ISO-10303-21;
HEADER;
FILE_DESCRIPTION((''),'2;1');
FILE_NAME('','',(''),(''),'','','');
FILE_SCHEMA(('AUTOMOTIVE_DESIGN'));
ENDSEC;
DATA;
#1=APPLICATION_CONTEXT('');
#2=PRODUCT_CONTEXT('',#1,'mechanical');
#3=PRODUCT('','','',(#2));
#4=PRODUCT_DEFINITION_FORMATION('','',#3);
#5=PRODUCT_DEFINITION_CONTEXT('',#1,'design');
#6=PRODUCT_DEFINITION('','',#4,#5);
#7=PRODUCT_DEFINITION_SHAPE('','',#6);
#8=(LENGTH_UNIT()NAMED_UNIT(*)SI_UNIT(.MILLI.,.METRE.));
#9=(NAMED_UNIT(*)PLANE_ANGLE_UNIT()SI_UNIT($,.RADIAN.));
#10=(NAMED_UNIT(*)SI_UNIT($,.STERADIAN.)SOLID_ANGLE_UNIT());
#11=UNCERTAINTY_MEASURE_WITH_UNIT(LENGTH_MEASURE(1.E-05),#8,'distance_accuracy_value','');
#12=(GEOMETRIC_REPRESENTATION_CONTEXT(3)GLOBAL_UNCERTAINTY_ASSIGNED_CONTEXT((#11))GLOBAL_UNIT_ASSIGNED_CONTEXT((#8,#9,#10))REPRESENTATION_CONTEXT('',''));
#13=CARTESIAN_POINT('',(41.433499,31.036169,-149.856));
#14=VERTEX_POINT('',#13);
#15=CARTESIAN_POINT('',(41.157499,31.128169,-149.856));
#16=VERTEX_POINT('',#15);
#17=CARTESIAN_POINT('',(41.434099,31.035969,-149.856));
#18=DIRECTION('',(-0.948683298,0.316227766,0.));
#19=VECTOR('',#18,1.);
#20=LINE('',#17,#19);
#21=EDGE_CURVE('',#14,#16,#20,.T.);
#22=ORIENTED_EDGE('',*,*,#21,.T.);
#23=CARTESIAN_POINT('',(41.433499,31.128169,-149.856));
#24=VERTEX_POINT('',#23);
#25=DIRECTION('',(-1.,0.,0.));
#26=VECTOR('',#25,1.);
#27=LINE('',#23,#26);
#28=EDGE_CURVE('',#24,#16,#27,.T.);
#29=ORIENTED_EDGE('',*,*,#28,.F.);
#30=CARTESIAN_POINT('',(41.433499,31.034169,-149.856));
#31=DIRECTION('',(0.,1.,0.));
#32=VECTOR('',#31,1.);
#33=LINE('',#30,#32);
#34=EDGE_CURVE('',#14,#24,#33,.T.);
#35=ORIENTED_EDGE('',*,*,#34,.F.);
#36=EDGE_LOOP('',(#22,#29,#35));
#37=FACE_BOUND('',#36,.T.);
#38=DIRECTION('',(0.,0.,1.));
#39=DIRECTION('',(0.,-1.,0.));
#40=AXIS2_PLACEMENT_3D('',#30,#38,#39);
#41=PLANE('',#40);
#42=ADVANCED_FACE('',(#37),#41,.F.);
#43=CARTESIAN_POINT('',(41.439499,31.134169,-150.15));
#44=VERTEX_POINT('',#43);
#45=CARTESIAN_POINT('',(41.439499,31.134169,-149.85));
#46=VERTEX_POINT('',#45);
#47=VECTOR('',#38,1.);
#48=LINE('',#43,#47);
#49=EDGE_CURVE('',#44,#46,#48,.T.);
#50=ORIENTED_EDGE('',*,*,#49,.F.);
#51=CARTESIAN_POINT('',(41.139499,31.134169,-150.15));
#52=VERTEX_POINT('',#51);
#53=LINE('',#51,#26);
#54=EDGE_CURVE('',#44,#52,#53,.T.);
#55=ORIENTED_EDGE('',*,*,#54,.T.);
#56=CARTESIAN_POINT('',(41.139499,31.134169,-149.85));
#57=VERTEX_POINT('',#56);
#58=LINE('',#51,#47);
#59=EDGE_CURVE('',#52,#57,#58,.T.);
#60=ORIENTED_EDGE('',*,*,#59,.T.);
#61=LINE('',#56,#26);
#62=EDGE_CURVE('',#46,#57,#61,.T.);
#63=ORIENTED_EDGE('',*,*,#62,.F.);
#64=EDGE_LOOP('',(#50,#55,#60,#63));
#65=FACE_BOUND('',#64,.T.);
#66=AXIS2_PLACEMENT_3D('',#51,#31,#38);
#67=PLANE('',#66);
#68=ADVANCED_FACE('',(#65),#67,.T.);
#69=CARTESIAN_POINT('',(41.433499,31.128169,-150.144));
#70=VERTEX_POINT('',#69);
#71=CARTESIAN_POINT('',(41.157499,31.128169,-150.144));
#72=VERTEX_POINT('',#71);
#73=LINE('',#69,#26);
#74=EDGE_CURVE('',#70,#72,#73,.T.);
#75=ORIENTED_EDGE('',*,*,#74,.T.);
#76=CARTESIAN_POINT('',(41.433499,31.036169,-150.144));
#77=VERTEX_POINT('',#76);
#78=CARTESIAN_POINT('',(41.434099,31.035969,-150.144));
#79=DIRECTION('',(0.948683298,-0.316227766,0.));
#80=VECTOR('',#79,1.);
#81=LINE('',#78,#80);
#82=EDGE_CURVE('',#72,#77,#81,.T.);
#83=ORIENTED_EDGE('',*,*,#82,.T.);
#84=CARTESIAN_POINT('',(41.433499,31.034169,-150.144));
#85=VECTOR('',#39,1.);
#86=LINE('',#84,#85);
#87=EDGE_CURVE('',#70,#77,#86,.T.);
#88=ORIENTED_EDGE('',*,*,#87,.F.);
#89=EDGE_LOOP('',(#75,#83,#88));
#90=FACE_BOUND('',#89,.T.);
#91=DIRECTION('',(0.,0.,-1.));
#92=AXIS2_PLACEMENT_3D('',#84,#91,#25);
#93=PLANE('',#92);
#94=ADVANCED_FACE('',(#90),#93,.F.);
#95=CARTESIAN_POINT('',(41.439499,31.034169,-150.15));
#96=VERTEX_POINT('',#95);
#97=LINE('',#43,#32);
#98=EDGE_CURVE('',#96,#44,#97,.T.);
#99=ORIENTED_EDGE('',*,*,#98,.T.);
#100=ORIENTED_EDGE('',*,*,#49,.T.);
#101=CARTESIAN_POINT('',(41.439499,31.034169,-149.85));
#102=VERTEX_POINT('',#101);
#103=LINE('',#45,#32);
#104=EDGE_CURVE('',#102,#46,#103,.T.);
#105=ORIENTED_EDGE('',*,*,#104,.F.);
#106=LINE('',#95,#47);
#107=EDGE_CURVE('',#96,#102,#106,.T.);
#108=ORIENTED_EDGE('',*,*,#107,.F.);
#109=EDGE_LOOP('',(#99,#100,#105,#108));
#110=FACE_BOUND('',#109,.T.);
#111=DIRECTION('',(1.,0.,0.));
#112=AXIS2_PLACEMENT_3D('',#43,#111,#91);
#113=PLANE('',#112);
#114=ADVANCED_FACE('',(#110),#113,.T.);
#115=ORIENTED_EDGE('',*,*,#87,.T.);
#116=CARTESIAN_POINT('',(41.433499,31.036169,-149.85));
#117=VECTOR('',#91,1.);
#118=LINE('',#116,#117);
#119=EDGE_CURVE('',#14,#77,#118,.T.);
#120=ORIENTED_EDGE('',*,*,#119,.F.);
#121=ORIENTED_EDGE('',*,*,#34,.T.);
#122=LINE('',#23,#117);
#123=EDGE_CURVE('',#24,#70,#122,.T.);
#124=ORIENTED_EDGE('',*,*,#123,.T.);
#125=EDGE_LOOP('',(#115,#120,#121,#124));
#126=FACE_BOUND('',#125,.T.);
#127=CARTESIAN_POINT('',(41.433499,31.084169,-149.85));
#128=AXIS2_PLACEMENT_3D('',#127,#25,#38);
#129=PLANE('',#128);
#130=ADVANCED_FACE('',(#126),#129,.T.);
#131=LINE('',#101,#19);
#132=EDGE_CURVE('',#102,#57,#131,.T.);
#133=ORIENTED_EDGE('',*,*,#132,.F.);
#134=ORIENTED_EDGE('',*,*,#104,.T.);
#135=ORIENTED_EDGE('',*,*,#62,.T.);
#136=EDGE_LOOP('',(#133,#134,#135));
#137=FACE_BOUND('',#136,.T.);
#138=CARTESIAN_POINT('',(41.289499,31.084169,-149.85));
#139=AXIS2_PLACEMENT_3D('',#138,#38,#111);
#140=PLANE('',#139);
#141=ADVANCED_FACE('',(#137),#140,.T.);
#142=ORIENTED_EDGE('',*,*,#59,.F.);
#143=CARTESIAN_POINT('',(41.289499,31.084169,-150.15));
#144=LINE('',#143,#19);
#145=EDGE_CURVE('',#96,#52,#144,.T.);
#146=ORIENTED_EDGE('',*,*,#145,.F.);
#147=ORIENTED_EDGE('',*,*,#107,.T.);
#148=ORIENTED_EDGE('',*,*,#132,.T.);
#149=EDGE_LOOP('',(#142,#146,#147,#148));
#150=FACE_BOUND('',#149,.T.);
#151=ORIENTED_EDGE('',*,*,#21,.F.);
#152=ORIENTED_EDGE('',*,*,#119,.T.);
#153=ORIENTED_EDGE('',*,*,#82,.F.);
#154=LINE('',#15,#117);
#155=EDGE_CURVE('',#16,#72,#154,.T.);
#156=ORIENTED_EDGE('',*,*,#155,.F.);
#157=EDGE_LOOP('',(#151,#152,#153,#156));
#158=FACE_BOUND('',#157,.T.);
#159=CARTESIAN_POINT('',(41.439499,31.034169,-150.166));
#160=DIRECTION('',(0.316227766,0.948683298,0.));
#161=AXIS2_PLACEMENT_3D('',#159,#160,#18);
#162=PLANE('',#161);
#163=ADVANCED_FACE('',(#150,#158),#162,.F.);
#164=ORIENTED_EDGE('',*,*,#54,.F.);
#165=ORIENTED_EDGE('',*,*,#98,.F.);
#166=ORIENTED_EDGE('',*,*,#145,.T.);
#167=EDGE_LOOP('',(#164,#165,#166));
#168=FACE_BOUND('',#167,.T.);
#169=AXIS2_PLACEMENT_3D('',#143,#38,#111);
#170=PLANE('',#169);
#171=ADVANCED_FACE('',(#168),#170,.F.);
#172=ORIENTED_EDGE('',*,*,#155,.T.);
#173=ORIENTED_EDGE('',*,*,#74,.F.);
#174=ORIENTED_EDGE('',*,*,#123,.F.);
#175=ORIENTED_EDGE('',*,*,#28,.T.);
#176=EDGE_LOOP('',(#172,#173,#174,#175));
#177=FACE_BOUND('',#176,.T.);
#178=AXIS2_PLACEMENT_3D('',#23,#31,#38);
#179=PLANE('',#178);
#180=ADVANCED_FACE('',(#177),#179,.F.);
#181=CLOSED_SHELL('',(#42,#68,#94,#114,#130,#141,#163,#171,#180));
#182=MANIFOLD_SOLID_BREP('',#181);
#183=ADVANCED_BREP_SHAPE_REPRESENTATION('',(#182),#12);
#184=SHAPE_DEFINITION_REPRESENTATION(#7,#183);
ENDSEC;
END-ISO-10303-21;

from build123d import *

# Parameters (mm, degrees)
SKETCH1_W           = 300
SKETCH1_H           = 100
BOSS_EXTRUDE1_DEPTH = 300
SKETCH3_W           = 288
SKETCH3_H           = 94
CUT_EXTRUDE2_DEPTH  = 294
CUT_EXTRUDE3_DEPTH  = 316
SCALE1_SCALE        = 0.001


with BuildPart() as part:
    # Sketch1 → Boss-Extrude1 (new body)
    with BuildSketch(Plane.XY):
        Rectangle(SKETCH1_W, SKETCH1_H)
    extrude(amount=-BOSS_EXTRUDE1_DEPTH)

    # Sketch3 → Cut-Extrude2 (cut)
    with BuildSketch(Plane.ZY.offset(150)):
        with Locations((-150, -3)):
            Rectangle(SKETCH3_W, SKETCH3_H)
    extrude(amount=-CUT_EXTRUDE2_DEPTH, mode=Mode.SUBTRACT)

    # Sketch2 → Cut-Extrude3 (cut)
    with BuildSketch(Plane.XY):
        Polygon((-150, 50), (-150, -50), (150, -50), align=None)
    extrude(amount=-CUT_EXTRUDE3_DEPTH, mode=Mode.SUBTRACT)


with BuildPart() as part_1:
    # Scale1: scaled about (41.330829635, 31.115283942, -150)
    add(part.part.scale(SCALE1_SCALE).moved(Location((41.289498805, 31.084168658, -149.85))))


solid = part_1.part
